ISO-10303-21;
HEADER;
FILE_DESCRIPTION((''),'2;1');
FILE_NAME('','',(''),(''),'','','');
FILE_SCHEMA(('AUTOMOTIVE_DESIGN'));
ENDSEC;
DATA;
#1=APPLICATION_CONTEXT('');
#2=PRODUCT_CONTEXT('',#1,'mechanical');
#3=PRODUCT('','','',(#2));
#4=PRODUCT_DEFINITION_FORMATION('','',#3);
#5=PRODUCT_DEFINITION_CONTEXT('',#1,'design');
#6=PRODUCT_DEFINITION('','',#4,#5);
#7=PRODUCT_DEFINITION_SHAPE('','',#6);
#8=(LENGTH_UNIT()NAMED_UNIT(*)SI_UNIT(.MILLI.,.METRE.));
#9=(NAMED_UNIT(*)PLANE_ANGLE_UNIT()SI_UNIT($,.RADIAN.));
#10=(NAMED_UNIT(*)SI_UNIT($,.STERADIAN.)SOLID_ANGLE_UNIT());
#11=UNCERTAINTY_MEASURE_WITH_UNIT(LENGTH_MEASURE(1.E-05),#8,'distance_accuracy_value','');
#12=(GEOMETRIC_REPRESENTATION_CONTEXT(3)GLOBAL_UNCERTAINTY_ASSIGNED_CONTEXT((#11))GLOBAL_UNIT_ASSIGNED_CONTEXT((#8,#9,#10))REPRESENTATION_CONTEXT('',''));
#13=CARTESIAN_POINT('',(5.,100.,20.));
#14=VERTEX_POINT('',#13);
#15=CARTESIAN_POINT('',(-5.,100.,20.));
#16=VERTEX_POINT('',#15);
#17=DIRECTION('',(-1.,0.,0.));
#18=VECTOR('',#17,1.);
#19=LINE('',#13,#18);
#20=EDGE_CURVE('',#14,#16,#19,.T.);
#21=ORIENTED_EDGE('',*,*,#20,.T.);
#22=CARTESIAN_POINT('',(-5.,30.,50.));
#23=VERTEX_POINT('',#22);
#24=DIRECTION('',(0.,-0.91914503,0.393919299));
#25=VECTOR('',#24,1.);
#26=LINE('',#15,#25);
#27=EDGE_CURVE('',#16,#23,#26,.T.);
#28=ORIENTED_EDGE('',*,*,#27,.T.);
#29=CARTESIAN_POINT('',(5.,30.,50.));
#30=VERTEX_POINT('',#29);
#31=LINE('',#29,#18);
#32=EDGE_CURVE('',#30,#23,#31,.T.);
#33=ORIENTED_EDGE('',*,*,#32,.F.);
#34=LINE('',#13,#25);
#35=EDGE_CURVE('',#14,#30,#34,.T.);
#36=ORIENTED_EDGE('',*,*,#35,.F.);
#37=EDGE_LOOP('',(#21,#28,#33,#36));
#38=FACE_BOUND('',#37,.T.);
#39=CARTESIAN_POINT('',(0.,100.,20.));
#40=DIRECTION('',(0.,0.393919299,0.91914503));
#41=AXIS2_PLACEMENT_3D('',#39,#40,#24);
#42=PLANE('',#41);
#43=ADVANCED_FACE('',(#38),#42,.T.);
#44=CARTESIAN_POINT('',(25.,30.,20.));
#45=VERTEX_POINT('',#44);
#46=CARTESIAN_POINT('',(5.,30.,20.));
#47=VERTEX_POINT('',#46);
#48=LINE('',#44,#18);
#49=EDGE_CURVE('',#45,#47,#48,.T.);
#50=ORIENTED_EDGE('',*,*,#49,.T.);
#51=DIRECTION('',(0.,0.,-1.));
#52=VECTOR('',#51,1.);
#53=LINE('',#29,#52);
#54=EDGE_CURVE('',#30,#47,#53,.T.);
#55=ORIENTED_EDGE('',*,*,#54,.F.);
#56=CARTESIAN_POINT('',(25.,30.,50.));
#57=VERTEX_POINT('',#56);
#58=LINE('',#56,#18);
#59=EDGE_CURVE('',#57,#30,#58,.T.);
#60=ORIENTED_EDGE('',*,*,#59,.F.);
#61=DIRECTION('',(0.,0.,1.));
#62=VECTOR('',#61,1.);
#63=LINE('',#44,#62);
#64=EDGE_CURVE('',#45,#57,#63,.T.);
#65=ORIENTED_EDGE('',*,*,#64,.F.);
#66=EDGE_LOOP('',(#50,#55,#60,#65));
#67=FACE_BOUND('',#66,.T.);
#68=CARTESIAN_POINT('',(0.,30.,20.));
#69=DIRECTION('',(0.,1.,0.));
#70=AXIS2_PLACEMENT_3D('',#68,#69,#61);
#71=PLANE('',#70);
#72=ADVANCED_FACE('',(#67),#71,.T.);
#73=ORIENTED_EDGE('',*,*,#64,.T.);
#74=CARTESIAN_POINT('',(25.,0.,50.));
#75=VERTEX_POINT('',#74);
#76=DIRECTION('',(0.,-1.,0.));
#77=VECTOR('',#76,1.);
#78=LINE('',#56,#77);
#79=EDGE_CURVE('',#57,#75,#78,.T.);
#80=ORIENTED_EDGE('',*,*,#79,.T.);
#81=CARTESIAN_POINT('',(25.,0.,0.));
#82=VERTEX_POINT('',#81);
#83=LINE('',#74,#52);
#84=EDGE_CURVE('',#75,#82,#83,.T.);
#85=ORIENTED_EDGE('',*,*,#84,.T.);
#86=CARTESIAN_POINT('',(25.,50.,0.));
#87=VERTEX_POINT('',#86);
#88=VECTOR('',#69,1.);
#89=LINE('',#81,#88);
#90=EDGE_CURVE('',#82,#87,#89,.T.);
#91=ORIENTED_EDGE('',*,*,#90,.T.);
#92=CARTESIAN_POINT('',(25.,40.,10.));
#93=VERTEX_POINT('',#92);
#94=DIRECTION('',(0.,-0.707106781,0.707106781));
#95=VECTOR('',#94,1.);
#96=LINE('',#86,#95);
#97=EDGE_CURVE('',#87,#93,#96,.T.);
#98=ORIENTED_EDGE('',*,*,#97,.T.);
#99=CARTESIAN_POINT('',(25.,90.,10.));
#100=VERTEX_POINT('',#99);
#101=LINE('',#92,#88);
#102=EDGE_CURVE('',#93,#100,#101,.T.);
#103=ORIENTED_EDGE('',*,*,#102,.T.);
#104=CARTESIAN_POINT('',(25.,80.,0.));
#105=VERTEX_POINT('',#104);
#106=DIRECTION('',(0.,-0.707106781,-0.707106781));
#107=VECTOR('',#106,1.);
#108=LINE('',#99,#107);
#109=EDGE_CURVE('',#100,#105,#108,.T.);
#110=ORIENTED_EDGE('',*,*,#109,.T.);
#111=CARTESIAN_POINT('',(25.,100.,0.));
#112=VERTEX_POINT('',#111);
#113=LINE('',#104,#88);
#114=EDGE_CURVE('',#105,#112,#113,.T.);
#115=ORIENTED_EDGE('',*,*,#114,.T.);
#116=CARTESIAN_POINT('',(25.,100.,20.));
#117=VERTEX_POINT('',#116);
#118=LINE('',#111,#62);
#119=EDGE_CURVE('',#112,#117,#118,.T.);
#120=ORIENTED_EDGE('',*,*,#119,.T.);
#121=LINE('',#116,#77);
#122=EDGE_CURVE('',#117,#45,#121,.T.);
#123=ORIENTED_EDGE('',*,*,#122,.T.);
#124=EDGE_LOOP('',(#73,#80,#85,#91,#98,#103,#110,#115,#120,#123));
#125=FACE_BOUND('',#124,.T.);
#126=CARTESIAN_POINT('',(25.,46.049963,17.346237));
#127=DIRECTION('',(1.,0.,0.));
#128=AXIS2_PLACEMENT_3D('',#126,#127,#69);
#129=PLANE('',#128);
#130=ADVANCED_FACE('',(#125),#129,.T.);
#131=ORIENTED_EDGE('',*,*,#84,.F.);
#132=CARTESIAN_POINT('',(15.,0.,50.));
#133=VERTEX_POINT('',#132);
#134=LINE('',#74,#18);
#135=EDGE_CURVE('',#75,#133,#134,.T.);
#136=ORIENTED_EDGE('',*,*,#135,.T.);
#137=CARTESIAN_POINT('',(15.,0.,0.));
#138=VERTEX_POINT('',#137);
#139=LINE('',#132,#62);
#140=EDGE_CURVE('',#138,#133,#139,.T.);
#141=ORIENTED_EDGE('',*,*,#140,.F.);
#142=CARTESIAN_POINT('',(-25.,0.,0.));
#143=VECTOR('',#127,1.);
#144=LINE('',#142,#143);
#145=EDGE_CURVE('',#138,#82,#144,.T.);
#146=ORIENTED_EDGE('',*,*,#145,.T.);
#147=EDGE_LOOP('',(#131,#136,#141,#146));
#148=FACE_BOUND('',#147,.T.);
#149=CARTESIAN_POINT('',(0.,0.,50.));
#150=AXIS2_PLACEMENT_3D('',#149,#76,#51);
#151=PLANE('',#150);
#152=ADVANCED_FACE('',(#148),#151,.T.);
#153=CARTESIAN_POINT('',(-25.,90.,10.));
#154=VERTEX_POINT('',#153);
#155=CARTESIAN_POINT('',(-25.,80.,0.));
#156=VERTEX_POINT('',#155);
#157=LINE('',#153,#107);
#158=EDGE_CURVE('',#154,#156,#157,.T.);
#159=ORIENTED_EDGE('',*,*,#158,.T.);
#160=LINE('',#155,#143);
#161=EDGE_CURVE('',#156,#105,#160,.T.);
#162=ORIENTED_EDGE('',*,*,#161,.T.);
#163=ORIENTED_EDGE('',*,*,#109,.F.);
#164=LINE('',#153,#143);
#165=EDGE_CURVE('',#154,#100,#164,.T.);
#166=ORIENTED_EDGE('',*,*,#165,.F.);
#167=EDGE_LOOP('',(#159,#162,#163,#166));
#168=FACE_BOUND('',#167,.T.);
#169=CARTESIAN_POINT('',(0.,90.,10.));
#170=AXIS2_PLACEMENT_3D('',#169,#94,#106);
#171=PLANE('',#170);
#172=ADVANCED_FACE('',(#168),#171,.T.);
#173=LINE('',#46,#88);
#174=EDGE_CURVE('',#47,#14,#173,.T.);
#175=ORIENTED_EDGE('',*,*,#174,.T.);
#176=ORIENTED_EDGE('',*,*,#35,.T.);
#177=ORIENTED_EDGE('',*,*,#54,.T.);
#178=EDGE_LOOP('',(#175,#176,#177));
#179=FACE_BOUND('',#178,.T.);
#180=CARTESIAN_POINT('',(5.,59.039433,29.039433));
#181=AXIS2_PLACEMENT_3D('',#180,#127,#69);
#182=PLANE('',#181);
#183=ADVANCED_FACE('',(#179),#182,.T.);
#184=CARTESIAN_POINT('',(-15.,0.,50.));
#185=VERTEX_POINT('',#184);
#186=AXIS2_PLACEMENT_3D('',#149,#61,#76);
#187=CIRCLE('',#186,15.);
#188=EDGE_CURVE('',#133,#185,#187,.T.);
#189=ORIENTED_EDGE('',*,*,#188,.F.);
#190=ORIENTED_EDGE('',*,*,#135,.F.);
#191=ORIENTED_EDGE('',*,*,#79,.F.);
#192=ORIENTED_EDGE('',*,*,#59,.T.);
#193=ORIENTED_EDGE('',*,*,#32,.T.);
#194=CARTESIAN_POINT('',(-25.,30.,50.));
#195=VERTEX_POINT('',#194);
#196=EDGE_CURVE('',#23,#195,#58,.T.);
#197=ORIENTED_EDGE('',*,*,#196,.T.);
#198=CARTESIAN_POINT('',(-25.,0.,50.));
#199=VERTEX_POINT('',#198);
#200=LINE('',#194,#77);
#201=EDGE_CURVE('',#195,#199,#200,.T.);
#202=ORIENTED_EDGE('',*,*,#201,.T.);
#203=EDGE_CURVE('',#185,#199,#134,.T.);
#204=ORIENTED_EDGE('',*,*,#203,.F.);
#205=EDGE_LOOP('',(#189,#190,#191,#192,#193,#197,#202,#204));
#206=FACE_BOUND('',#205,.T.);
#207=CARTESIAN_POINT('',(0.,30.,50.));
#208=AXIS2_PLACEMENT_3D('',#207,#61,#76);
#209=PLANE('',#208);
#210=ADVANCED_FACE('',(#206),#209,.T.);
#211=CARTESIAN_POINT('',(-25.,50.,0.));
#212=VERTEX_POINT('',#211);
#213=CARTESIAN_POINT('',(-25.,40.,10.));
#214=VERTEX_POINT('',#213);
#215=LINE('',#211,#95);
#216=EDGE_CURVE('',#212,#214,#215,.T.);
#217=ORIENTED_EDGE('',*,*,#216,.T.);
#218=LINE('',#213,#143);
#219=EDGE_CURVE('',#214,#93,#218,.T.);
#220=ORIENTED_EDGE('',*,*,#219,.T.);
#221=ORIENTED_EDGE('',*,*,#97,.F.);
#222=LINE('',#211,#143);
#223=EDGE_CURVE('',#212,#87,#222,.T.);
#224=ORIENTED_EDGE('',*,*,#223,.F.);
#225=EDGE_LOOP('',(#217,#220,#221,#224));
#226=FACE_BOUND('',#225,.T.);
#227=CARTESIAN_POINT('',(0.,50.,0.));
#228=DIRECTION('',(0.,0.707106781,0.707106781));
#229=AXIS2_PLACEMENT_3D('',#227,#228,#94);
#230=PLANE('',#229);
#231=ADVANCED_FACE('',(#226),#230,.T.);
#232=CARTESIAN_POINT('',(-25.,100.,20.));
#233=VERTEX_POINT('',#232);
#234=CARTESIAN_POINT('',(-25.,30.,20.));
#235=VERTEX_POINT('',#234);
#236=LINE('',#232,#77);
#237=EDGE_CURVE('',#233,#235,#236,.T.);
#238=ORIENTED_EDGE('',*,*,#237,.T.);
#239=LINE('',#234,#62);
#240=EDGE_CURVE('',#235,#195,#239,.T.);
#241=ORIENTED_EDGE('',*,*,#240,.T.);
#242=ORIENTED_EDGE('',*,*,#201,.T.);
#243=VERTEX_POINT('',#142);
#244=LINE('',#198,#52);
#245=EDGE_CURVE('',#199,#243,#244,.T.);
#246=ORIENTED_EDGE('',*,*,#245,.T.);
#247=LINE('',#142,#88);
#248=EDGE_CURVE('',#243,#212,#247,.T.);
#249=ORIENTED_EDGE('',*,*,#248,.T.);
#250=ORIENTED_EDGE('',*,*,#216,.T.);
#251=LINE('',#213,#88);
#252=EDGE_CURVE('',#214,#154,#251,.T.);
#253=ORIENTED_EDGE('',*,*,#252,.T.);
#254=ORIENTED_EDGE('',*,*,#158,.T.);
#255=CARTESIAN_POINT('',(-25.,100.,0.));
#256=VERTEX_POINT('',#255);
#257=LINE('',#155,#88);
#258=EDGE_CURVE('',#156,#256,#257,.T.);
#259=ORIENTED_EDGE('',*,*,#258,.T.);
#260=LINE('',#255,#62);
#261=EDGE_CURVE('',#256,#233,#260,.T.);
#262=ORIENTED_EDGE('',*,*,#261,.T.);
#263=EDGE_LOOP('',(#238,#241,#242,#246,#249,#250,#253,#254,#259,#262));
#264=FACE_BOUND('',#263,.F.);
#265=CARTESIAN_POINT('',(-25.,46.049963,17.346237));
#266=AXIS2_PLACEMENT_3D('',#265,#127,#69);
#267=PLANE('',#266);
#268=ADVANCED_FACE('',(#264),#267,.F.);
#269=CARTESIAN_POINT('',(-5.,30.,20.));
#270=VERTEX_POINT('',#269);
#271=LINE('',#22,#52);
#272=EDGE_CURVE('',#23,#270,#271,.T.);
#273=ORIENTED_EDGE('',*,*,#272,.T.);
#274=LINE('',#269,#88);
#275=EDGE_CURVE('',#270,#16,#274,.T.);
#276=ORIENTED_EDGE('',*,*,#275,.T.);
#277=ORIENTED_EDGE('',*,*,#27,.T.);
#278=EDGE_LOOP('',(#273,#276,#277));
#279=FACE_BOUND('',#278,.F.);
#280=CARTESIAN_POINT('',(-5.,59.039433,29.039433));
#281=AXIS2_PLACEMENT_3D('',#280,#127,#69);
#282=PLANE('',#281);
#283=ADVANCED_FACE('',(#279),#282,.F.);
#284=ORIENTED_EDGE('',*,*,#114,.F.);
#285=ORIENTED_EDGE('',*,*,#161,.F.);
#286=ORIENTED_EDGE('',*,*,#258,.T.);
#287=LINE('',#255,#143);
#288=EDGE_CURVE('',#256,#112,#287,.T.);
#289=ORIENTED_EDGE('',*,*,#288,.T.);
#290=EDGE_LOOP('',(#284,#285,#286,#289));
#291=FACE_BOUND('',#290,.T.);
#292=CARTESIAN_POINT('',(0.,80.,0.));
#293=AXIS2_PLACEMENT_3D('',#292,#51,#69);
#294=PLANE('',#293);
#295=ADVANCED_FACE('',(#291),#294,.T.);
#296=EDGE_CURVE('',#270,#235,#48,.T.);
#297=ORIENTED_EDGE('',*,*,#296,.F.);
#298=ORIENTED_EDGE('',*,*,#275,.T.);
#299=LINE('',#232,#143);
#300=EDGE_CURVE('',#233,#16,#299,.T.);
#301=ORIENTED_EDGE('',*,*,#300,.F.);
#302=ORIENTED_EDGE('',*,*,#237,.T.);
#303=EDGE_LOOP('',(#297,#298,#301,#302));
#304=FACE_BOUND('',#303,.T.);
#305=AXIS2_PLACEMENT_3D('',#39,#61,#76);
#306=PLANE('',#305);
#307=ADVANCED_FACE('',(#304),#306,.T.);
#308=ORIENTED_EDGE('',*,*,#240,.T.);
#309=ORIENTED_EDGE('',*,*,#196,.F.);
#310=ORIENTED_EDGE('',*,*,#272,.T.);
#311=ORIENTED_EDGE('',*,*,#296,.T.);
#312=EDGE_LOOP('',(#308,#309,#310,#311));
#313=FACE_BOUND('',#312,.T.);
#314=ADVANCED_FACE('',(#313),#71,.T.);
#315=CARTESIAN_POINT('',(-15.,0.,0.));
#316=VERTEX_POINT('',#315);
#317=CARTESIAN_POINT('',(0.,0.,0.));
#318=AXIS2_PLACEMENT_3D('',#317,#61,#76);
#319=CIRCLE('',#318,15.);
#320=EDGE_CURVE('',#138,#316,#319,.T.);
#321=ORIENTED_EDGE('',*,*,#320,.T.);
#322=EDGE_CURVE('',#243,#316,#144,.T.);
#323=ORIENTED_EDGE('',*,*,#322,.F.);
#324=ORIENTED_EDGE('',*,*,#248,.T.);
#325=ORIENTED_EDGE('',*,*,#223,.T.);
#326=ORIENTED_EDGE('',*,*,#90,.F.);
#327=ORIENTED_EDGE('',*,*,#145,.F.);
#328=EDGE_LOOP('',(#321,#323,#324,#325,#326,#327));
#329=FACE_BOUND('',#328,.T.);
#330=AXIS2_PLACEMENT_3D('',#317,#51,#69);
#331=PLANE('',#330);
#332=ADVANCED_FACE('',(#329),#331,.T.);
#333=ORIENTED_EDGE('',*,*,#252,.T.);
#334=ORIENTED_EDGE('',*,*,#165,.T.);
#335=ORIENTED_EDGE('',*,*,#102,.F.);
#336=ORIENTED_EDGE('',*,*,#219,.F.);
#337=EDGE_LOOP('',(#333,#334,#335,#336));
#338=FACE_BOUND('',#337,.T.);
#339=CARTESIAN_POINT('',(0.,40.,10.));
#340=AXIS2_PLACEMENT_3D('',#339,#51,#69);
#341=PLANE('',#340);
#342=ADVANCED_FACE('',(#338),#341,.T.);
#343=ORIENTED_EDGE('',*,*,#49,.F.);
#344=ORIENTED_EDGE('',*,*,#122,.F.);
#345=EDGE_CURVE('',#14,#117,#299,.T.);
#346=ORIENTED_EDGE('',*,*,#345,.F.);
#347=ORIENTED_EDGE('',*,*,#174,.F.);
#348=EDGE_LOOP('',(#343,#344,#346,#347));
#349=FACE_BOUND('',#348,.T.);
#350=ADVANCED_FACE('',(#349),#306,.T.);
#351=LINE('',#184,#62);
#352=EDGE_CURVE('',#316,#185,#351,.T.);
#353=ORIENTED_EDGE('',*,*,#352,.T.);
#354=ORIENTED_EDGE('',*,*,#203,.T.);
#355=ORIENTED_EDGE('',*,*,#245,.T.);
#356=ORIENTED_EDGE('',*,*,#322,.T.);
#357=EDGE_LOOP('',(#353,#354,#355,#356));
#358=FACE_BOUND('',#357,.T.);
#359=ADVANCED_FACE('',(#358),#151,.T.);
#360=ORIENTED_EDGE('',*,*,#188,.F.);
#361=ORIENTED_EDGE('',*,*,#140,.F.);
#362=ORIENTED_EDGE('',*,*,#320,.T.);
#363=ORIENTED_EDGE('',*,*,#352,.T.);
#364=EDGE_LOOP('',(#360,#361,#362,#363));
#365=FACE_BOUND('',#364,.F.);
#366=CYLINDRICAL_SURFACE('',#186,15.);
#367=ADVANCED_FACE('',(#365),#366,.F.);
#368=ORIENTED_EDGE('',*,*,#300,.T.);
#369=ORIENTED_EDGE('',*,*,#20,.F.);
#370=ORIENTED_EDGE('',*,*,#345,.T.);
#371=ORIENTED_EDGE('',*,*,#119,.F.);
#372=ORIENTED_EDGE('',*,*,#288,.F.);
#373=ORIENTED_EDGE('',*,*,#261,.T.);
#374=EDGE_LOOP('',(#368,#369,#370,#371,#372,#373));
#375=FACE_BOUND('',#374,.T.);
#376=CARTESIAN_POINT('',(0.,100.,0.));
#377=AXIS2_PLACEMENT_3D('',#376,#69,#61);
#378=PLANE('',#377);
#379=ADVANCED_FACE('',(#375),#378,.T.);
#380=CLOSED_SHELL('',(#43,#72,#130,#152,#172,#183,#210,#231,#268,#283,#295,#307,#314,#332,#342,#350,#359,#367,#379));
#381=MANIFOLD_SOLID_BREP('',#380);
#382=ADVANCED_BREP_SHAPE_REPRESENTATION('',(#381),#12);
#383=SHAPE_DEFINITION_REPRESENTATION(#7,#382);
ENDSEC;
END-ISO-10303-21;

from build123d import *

# Parameters (mm, degrees)
PAD_DEPTH    = 25
SKETCH001_R  = 15
POCKET_DEPTH = 50.001
PAD001_DEPTH = 5


with BuildPart() as part:
    # Sketch → Pad (new body, symmetric)
    with BuildSketch(Plane.YZ):
        Polygon((0, 50), (0, 0), (50, 0), (40, 10), (90, 10), (80, 0), (100, 0), (100, 20), (30, 20), (30, 50), align=None)
    extrude(amount=PAD_DEPTH, both=True)

    # Sketch001 (on Face10 of Pad) → Pocket (cut, through all)
    with BuildSketch(Plane(origin=(0, 0, 50), x_dir=(0, -1, 0), z_dir=(0, 0, 1))):
        Circle(SKETCH001_R)
    extrude(amount=-POCKET_DEPTH, mode=Mode.SUBTRACT)

    # Sketch002 → Pad001 (join, symmetric)
    with BuildSketch(Plane.YZ):
        Polygon((30, 50), (30, 20), (100, 20), align=None)
    extrude(amount=PAD001_DEPTH, both=True)


solid = part.part
